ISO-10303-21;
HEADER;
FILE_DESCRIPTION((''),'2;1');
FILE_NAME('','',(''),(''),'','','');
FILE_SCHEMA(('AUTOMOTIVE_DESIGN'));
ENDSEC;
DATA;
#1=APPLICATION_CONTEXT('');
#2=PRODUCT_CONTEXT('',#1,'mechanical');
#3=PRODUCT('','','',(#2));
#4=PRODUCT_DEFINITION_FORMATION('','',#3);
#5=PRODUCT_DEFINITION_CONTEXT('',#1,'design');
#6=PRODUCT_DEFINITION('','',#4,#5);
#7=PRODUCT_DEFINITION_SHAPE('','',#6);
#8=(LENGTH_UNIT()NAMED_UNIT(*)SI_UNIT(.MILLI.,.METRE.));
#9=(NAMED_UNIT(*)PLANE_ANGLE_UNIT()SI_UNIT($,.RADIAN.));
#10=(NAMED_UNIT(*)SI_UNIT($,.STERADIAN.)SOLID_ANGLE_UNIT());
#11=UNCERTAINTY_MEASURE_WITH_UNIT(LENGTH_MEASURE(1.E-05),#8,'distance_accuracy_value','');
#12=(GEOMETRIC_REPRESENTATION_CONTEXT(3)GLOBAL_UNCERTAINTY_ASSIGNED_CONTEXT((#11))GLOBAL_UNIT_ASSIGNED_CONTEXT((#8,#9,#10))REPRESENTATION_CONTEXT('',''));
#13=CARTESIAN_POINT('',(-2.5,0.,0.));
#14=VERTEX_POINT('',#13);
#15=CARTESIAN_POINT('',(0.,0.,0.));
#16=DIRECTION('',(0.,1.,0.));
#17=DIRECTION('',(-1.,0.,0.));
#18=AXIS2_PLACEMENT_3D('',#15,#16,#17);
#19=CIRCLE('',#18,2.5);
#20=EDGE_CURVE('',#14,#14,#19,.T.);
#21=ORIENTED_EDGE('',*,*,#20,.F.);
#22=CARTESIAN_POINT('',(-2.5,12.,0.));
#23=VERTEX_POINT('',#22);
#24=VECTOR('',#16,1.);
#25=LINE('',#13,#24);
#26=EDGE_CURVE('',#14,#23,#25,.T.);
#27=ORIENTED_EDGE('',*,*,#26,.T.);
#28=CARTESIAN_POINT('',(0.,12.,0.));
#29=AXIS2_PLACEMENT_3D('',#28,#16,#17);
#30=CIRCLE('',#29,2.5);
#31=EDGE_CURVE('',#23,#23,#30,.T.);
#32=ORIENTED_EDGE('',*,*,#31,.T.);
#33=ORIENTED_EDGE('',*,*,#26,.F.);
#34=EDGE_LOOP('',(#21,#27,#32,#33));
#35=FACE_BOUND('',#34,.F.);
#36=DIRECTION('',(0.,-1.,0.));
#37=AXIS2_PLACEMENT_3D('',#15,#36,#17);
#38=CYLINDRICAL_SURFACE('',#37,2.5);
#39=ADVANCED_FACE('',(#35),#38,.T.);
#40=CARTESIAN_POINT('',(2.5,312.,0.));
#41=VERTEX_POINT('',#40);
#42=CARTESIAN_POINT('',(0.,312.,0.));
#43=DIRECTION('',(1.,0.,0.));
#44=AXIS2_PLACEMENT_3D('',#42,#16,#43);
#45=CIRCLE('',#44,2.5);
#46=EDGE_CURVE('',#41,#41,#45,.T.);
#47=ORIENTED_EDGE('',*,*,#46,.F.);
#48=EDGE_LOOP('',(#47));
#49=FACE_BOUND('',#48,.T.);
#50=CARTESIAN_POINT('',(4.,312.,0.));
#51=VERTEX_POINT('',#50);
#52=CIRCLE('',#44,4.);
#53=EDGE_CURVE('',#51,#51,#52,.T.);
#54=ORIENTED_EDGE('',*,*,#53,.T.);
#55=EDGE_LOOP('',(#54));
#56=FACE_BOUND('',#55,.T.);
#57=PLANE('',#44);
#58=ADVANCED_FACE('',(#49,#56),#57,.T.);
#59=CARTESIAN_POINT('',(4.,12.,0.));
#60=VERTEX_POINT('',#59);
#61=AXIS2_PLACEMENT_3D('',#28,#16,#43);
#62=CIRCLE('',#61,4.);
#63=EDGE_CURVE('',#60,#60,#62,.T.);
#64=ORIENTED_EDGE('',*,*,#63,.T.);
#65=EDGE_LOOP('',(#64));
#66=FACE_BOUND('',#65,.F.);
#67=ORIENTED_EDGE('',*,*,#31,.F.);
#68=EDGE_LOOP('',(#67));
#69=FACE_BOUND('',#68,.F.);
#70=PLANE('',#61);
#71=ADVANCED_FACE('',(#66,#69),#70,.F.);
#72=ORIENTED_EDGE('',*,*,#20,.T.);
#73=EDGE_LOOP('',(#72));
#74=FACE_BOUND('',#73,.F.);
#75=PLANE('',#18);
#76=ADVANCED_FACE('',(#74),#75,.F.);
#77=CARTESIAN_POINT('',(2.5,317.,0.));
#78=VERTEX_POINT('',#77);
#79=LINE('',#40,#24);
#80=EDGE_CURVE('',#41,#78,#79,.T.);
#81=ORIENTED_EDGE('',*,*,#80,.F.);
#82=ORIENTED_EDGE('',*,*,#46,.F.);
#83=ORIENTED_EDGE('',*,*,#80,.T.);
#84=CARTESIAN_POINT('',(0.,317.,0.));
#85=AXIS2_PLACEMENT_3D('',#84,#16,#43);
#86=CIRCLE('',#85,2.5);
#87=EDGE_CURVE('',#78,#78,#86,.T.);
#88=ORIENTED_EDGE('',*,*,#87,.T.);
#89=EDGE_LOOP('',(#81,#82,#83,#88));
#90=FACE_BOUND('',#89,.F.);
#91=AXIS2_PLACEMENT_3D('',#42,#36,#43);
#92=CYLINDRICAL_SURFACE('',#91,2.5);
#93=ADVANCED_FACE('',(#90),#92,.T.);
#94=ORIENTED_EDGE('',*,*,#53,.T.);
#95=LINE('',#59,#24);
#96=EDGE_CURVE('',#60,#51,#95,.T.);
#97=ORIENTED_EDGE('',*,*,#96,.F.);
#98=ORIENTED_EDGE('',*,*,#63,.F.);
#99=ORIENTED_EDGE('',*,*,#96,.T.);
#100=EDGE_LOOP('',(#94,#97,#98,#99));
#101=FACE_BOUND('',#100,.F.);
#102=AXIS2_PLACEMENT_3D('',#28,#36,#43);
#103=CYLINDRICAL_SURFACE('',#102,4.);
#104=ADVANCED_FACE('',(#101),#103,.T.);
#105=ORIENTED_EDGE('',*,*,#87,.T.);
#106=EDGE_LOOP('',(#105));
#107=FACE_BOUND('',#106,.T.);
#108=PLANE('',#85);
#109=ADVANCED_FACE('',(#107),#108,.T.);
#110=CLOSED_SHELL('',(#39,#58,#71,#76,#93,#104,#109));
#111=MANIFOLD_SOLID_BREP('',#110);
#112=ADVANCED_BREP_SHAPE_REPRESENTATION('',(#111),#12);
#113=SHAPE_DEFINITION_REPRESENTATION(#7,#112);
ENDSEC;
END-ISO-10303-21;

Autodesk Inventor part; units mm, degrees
ref_plane "YZ Plane" through (0, 0, 0) normal (1, 0, 0) x (0, 1, 0)
ref_plane "XZ Plane" through (0, 0, 0) normal (0, 1, 0) x (-1, 0, 0)
ref_plane "XY Plane" through (0, 0, 0) normal (0, 0, 1) x (1, 0, 0)
sketch "Sketch1" plane through (0, 0, 0) normal (0, 1, 0) x (-1, 0, 0)
  circle A0 centre (0, 0) radius 2.5
  dimension "d0" = 5
extrude "Extrusion1" add sketch "Sketch1" along normal blind 12
sketch "Sketch5" plane through (0, 12, 0) normal (0, 1, 0) x (1, 0, 0)
  circle A0 centre (0, 0) radius 2.5 projected
  circle A1 centre (0, 0) radius 4
  dimension "d20" = 8
extrude "Extrusion5" add sketch "Sketch5" along normal blind 300 contours A0 | A1
sketch "Sketch6" plane through (0, 312, 0) normal (0, 1, 0) x (1, 0, 0)
  circle A0 centre (0, 0) radius 4 projected
  circle A1 centre (0, 0) radius 2.5
  dimension "d23" = 5
extrude "Extrusion6" add sketch "Sketch6" along normal blind 5 contours A1
thread "Thread2" size "M10x1.5" class "6g" standard "ANSI Metric M Profile" full length
thread "Thread3" size "TR10x1.5" class "7e" standard "ISO Metric Trapezoidal Threads" full length
properties material "Steel"
